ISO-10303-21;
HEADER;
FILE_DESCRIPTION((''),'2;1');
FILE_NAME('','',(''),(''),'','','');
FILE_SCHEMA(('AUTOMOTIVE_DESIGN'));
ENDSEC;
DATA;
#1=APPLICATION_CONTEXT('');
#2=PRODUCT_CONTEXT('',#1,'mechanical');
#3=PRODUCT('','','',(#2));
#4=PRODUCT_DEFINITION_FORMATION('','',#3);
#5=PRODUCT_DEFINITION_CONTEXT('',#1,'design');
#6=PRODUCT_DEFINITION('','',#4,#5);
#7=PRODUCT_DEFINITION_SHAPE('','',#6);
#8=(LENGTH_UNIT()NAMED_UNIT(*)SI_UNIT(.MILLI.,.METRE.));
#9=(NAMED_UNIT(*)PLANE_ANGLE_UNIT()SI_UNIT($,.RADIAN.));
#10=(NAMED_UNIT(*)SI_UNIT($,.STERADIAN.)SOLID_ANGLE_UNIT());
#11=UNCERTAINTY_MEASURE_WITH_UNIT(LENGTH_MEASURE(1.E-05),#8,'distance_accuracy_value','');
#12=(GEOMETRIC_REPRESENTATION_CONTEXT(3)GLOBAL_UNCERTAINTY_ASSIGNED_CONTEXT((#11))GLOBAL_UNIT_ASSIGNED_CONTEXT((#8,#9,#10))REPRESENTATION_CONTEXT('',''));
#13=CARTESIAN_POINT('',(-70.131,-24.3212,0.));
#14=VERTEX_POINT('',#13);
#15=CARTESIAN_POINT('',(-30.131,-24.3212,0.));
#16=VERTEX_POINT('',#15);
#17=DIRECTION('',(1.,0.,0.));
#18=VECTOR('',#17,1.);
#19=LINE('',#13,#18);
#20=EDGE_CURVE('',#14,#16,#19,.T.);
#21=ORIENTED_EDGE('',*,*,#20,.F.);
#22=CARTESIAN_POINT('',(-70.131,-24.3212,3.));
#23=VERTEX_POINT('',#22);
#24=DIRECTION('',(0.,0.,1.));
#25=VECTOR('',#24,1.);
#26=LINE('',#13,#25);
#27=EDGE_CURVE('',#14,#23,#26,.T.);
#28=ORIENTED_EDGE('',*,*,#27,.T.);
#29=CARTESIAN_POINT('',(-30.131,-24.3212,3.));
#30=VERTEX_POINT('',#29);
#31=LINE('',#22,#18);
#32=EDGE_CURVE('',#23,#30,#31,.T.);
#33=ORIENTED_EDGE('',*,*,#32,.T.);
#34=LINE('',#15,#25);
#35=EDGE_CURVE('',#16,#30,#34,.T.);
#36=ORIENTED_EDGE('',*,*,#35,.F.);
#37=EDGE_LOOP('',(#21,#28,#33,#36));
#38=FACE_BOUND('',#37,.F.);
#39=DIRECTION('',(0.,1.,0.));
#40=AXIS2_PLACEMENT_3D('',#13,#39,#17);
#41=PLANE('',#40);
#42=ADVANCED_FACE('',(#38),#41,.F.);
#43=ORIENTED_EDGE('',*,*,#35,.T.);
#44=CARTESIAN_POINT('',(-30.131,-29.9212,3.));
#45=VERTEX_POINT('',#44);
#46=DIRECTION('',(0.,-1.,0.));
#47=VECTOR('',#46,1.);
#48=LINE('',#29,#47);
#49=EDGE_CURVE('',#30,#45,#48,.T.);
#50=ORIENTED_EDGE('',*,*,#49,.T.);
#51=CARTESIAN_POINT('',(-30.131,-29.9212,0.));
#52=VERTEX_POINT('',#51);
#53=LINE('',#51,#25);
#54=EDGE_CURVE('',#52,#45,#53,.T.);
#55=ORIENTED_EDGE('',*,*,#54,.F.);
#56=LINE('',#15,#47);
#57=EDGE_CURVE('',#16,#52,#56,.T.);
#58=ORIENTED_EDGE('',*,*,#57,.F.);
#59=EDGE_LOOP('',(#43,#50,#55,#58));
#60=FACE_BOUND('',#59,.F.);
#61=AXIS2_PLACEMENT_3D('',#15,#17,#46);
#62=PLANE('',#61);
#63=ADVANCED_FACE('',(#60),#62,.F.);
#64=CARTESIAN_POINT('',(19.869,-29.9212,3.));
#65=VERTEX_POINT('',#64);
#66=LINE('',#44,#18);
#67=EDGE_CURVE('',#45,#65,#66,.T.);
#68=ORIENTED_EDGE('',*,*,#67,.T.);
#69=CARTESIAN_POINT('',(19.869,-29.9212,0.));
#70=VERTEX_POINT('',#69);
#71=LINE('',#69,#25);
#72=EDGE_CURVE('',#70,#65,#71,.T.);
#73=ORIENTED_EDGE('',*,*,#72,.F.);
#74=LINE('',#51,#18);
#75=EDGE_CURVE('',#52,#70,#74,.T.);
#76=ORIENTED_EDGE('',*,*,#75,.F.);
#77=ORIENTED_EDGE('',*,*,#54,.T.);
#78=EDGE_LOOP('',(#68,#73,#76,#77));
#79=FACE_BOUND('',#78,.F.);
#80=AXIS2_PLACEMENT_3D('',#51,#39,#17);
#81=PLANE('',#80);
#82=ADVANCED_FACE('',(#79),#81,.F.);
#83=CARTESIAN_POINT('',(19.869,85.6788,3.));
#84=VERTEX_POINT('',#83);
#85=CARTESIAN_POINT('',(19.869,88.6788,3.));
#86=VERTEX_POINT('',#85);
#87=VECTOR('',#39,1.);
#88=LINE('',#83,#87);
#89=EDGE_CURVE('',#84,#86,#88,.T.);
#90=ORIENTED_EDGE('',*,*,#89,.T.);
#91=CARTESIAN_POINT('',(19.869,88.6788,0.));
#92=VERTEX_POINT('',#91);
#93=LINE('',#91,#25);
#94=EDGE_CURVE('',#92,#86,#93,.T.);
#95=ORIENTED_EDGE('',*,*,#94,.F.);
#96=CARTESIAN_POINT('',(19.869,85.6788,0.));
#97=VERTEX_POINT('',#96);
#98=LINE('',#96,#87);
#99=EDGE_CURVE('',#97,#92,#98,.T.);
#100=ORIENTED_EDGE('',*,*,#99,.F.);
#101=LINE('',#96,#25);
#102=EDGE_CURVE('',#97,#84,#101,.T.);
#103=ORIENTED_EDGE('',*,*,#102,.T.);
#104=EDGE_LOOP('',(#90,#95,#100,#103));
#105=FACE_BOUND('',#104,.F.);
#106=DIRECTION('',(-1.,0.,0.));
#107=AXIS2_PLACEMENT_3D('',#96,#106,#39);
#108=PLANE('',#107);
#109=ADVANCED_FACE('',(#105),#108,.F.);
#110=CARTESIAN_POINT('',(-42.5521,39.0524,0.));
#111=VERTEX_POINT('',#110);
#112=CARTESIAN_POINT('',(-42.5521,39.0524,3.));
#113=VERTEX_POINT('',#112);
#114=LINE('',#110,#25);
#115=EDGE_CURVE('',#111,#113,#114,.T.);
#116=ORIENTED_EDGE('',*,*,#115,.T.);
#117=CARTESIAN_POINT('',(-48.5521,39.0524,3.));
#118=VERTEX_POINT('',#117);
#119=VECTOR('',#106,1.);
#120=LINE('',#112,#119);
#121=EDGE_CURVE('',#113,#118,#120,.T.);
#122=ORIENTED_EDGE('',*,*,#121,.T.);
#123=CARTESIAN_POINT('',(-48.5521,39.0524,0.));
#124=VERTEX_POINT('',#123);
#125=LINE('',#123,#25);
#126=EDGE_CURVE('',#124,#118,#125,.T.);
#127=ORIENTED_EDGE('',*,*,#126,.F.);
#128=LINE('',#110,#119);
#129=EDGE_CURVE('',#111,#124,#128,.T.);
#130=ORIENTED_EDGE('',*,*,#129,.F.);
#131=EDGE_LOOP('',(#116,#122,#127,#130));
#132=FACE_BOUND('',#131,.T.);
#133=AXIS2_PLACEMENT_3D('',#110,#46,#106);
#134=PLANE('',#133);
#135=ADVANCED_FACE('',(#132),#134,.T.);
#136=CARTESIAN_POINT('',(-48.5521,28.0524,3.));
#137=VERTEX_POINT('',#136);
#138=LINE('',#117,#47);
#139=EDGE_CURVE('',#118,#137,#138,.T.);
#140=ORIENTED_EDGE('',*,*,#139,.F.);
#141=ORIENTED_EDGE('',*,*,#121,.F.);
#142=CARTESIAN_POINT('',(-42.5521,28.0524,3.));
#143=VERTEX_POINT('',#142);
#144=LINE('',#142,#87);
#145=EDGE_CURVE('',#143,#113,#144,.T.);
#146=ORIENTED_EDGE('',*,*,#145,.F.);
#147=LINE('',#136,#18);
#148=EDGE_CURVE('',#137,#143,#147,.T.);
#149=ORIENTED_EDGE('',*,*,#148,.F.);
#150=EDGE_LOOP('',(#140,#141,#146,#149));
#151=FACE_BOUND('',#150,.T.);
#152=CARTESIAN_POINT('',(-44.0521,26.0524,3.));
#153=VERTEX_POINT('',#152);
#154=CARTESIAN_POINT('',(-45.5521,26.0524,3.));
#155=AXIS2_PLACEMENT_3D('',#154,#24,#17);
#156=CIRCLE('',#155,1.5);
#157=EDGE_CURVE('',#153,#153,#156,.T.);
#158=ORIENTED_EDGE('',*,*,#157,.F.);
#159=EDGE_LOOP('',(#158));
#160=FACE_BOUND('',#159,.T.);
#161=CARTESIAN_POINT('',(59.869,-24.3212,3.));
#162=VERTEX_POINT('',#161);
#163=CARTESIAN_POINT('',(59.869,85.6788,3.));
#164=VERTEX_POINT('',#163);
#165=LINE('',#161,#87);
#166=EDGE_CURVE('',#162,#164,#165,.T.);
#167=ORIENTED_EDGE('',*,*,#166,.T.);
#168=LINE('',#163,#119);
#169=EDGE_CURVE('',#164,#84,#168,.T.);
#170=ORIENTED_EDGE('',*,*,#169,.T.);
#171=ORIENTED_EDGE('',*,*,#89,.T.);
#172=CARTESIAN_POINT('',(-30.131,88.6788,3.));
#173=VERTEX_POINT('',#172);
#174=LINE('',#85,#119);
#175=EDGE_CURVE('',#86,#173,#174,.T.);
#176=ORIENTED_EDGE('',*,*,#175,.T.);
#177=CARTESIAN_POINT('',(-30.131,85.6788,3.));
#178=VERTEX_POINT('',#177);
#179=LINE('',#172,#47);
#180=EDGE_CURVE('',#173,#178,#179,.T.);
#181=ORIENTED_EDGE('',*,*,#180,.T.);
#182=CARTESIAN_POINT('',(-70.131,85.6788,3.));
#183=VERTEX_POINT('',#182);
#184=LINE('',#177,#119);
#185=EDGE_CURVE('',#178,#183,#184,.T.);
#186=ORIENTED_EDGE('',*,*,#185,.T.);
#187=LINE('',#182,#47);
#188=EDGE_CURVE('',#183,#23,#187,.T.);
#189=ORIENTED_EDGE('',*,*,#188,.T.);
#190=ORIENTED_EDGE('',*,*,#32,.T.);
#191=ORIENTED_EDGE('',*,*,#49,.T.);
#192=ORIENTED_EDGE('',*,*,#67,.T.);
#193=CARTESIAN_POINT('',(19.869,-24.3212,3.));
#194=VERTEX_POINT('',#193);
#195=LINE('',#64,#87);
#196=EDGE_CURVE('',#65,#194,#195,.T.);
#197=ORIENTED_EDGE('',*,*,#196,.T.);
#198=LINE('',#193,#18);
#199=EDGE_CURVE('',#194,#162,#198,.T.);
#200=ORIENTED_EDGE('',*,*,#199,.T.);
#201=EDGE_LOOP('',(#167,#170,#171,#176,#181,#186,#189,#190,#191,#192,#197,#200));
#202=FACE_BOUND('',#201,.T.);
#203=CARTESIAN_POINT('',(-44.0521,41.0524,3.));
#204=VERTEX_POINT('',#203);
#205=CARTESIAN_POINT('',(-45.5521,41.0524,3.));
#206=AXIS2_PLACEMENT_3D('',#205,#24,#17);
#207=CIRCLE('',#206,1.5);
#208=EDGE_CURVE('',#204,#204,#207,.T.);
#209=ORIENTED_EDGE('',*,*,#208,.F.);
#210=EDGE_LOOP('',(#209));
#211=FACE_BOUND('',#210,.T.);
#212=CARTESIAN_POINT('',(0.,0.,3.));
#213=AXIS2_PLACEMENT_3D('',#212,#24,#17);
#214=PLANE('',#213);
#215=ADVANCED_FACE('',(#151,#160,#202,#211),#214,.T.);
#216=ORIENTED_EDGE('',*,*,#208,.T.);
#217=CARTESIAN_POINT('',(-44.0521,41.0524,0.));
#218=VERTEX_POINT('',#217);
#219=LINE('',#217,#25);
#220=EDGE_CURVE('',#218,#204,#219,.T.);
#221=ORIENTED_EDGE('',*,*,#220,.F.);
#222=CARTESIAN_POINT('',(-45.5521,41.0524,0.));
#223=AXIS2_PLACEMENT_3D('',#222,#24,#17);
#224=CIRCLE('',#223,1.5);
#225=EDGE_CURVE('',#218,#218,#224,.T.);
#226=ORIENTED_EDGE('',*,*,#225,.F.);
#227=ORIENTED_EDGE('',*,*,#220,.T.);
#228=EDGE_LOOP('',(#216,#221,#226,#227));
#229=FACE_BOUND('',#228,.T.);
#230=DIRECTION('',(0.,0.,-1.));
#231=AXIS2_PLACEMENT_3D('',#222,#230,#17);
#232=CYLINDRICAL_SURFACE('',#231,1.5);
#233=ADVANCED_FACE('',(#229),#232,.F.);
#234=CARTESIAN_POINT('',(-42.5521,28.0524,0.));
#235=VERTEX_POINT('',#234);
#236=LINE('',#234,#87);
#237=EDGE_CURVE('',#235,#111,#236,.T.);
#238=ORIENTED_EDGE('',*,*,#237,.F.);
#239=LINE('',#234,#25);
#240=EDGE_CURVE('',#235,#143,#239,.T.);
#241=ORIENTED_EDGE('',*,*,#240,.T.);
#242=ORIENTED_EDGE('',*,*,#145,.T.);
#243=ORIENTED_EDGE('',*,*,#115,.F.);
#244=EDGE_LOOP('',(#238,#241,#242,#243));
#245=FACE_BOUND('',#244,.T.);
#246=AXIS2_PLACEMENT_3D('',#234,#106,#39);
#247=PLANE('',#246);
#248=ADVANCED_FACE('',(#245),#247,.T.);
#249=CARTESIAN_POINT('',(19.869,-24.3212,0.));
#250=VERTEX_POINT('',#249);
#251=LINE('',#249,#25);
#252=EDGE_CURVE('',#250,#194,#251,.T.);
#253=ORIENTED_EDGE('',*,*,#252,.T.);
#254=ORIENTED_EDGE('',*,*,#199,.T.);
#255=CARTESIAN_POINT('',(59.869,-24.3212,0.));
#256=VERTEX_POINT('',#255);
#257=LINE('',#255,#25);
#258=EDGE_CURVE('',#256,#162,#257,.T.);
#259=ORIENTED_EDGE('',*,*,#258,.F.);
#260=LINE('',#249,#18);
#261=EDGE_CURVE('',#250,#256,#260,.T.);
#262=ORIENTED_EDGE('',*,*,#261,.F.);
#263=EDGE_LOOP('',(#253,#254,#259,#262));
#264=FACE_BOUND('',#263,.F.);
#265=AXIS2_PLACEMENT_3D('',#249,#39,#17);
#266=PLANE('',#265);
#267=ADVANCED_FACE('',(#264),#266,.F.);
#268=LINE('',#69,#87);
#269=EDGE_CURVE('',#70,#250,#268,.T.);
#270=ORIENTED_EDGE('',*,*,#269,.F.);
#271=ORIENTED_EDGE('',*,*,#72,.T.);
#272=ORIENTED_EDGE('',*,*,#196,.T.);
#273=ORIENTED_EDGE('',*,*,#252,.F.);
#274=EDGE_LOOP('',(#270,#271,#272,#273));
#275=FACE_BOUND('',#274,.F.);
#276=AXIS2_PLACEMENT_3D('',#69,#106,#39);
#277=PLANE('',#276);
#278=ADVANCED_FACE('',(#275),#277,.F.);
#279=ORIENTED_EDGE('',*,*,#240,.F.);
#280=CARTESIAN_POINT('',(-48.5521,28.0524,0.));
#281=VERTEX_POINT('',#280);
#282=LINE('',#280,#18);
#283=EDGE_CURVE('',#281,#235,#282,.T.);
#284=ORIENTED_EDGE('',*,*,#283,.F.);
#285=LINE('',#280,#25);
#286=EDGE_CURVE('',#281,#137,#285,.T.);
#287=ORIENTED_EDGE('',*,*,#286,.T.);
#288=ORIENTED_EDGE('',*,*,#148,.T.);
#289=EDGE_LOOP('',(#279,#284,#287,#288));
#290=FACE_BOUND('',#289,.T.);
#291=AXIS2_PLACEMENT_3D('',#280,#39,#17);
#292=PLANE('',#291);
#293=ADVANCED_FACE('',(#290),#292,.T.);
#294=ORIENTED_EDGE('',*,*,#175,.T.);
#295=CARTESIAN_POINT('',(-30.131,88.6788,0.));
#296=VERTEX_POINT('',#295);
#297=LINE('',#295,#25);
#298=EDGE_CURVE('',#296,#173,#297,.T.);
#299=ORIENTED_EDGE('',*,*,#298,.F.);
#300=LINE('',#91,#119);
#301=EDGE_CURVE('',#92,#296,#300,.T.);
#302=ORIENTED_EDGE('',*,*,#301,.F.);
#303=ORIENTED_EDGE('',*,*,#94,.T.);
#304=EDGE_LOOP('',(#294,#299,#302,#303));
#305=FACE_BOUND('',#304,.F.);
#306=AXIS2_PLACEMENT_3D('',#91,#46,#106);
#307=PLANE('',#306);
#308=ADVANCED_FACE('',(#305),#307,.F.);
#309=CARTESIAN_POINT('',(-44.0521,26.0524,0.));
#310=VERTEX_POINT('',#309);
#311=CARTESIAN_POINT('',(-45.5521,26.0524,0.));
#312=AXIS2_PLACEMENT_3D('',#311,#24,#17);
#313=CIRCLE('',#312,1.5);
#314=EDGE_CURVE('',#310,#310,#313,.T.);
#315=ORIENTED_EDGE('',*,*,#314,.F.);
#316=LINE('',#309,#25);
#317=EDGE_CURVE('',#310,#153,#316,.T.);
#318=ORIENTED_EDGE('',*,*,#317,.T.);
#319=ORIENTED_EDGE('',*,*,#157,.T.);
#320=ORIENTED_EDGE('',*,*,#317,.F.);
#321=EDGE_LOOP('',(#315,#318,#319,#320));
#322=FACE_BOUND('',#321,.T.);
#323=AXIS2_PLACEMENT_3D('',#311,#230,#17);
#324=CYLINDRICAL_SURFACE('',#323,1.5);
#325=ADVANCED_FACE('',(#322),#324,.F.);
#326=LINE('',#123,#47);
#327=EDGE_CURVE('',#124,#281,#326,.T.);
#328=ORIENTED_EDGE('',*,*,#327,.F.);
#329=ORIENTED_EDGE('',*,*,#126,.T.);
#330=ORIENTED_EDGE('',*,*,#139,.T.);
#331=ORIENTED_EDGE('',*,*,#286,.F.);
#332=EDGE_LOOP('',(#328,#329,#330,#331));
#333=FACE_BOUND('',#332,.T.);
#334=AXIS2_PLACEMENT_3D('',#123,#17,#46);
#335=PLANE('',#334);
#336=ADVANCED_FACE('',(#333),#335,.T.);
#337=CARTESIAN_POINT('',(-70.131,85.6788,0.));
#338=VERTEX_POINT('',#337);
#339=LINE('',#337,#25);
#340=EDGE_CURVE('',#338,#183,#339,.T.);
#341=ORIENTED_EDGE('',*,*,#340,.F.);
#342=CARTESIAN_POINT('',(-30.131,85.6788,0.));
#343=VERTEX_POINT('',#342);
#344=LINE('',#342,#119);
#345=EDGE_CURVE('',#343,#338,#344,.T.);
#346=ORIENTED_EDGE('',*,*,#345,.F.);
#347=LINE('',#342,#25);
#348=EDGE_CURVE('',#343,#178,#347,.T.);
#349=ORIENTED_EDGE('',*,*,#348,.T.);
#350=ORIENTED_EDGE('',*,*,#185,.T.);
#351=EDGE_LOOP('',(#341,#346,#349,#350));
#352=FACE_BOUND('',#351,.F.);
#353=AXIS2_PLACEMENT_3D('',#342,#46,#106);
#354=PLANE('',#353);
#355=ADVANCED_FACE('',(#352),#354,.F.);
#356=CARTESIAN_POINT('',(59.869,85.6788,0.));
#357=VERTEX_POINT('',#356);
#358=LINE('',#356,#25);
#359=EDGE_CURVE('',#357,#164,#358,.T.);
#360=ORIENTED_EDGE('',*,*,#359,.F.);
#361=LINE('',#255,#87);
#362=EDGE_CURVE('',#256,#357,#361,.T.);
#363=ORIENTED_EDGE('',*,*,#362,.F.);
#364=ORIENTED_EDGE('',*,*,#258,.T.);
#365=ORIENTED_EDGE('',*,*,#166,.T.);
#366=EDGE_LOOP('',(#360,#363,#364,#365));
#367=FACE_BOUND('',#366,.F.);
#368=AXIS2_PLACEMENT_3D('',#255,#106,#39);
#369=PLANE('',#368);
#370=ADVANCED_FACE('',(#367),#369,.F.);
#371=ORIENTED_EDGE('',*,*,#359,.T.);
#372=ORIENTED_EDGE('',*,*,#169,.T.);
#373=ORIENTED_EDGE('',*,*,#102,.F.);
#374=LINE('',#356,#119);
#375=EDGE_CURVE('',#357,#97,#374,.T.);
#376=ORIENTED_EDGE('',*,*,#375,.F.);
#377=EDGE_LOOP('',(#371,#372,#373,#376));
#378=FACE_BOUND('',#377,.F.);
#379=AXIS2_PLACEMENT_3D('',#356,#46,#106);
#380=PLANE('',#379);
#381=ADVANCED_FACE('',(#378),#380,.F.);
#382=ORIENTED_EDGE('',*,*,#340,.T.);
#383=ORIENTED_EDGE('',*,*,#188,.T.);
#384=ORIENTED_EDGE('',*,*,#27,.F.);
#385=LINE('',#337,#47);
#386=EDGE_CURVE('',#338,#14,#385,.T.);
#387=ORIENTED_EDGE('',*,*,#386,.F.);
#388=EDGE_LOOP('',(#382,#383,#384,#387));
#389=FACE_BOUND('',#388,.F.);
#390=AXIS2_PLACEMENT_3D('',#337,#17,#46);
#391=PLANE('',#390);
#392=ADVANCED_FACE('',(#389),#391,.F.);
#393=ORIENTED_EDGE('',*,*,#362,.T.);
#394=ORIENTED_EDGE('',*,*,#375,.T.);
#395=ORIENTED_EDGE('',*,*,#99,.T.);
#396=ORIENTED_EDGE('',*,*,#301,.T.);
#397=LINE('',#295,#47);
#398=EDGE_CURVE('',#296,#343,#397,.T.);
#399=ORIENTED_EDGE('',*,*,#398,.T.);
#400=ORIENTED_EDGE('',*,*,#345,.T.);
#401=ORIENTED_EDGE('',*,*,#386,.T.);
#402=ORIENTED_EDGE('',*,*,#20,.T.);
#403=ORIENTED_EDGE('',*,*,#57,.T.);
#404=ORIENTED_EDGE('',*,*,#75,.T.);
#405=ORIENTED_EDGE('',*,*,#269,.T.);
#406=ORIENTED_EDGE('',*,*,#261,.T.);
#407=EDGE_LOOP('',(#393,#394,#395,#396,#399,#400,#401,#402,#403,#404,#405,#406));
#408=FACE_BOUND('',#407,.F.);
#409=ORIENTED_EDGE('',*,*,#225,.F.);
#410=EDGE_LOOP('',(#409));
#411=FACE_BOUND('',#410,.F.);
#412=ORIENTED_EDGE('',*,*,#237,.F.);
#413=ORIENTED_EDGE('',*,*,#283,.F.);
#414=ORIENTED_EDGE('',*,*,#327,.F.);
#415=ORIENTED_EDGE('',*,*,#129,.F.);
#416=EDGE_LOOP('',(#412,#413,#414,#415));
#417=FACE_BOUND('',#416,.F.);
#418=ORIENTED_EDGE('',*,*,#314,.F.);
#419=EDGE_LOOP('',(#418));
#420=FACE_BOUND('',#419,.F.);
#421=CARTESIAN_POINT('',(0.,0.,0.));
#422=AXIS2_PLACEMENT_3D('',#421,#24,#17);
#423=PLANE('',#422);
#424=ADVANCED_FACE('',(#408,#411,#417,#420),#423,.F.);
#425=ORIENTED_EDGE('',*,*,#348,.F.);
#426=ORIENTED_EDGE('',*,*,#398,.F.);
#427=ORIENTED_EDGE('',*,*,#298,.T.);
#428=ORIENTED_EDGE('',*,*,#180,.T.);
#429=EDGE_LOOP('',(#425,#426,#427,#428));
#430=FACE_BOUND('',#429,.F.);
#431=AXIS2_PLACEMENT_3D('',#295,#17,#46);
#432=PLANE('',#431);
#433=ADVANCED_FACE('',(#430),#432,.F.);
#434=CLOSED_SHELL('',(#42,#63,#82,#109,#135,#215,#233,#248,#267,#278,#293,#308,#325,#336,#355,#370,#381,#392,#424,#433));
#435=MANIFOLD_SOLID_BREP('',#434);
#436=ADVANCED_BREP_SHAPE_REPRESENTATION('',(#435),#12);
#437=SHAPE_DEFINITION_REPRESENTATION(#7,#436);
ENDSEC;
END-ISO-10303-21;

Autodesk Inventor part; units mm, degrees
ref_plane "YZ Plane" through (0, 0, 0) normal (1, 0, 0) x (0, 1, 0)
ref_plane "XZ Plane" through (0, 0, 0) normal (0, 1, 0) x (-1, 0, 0)
ref_plane "XY Plane" through (0, 0, 0) normal (0, 0, 1) x (1, 0, 0)
sketch "Sketch1" plane through (0, 0, 0) normal (0, 0, 1) x (1, 0, 0)
  line L0 (-70.131, 85.6788) -> (-70.131, -24.3212)
  line L1 (-70.131, -24.3212) -> (-30.131, -24.3212)
  line L2 (-30.131, -24.3212) -> (-30.131, -29.9212)
  line L3 (-30.131, -29.9212) -> (19.869, -29.9212)
  line L4 (19.869, -29.9212) -> (19.869, -24.3212)
  line L5 (19.869, -24.3212) -> (59.869, -24.3212)
  line L6 (59.869, -24.3212) -> (59.869, 85.6788)
  line L7 (59.869, 85.6788) -> (19.869, 85.6788)
  line L8 (19.869, 85.6788) -> (19.869, 88.6788)
  line L9 (19.869, 88.6788) -> (-30.131, 88.6788)
  line L10 (-30.131, 88.6788) -> (-30.131, 85.6788)
  line L11 (-30.131, 85.6788) -> (-70.131, 85.6788)
  line L12 (-5.131, 88.6788) -> (-5.131, -29.9212) construction
  line L13 (-48.5521, 39.0524) -> (-48.5521, 28.0524)
  line L14 (-48.5521, 28.0524) -> (-42.5521, 28.0524)
  line L15 (-42.5521, 28.0524) -> (-42.5521, 39.0524)
  line L16 (-42.5521, 39.0524) -> (-48.5521, 39.0524)
  circle A0 centre (-45.5521, 41.0524) radius 1.5
  circle A1 centre (-45.5521, 26.0524) radius 1.5
  line L17 (-45.5521, 26.0524) -> (-45.5521, 41.0524) construction
  point P0 (0, 0)
  dimension "d0" = 130
  dimension "d1" = 110
  dimension "d2" = 50
  dimension "d3" = 50
  dimension "d4" = 11
  dimension "d5" = 6
  dimension "d6" = 3
  dimension "d7" = 2
  dimension "d8" = 3
  dimension "d9" = 2
  dimension "d12" = 3
  dimension "d13" = 5.6
extrude "Extrusion1" add sketch "Sketch1" along normal blind 3
properties part number "BackWallV2"
